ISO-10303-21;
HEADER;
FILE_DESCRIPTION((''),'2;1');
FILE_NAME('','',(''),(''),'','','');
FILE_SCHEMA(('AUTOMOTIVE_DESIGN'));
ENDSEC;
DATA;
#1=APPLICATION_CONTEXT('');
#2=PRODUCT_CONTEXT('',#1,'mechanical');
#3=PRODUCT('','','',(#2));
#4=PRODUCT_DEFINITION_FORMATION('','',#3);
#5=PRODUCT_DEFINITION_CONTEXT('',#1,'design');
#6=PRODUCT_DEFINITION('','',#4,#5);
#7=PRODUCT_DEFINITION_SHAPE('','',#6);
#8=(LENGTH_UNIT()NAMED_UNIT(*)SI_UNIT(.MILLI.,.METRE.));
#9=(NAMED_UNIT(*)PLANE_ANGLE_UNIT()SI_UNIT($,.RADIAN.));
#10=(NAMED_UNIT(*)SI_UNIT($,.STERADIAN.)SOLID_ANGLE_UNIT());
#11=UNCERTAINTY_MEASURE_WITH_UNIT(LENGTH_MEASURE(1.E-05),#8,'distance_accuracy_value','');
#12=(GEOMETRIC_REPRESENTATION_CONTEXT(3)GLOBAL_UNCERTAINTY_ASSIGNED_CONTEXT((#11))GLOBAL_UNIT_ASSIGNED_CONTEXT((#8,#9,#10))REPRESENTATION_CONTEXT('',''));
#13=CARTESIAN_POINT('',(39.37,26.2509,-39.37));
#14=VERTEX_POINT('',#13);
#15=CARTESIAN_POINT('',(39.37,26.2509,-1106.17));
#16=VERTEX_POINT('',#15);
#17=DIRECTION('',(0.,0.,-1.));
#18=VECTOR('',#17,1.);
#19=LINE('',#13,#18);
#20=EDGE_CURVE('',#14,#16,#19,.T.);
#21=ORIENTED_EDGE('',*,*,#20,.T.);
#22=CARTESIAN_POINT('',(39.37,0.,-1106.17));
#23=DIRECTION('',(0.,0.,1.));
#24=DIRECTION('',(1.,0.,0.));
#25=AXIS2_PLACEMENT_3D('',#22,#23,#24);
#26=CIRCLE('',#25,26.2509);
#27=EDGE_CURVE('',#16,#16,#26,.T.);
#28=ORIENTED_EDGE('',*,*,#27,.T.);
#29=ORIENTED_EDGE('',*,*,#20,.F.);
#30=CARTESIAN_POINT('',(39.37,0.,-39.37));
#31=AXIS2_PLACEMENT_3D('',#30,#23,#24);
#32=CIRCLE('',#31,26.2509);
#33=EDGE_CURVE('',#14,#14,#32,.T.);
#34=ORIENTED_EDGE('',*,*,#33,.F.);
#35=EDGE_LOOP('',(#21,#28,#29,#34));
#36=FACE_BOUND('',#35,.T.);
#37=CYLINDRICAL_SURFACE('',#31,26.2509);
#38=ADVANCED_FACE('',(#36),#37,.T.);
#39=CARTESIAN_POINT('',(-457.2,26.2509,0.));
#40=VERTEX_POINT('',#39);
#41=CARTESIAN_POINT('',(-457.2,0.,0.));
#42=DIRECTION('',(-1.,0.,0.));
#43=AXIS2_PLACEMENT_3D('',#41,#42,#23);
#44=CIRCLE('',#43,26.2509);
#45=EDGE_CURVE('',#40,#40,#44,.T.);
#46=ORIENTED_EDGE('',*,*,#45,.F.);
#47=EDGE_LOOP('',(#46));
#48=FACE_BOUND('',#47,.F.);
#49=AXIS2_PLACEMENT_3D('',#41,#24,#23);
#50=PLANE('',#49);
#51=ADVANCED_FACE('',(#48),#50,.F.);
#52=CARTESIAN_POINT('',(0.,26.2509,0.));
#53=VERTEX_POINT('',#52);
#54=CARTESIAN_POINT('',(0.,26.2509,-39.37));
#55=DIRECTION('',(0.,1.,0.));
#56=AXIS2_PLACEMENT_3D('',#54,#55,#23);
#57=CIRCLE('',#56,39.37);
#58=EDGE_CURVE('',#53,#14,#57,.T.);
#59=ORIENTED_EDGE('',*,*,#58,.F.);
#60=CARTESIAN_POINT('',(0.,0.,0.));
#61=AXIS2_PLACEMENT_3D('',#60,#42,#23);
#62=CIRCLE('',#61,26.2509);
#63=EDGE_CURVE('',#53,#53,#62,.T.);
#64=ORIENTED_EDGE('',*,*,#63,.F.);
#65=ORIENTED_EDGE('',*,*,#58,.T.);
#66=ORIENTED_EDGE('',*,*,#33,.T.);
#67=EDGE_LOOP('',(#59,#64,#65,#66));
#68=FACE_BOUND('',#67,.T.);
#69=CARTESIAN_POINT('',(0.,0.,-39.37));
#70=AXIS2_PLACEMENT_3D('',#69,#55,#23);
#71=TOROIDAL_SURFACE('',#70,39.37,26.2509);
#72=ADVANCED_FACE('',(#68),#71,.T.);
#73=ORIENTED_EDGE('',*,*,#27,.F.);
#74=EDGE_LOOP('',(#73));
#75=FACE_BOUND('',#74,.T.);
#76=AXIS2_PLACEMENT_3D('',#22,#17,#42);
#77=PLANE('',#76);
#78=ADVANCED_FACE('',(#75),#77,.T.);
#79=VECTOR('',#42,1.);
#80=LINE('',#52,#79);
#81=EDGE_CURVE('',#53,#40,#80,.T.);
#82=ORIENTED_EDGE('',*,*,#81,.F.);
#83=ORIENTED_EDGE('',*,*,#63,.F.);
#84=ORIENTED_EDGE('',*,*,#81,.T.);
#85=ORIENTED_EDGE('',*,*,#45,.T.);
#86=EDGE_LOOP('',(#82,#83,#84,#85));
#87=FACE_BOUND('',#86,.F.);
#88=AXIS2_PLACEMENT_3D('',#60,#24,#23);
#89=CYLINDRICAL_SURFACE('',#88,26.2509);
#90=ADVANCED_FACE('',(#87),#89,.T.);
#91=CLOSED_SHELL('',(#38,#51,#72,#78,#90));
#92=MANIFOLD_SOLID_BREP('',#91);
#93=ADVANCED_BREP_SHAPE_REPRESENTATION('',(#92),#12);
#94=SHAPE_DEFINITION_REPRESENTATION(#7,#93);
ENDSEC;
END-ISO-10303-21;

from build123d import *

# Parameters (mm, degrees)
F0_R     = 26.2509
F3_DEPTH = 457.2
F4_DEPTH = 1066.8


with BuildPart() as f2:
    # F2: sweep along a path in F1
    with BuildLine(Plane.XZ) as f2_path:
        ThreePointArc((0, 0), (27.8387939753, -11.5312060247), (39.37, -39.37))
    # F0 (on Right) → F2 (sweep)
    with BuildSketch(Plane.YZ):
        Circle(F0_R)
    sweep(path=f2_path.line)

    # F3 (add): a face of the model
    f3_faces = [f2.faces().sort_by_distance(p)[0] for p in [
        (0, 0, 0),
    ]]
    extrude(f3_faces, amount=F3_DEPTH)

    # F4 (add): a face of the model
    f4_faces = [f2.faces().sort_by_distance(p)[0] for p in [
        (39.37, 0, -39.37),
    ]]
    extrude(f4_faces, amount=F4_DEPTH)


solid = f2.part
